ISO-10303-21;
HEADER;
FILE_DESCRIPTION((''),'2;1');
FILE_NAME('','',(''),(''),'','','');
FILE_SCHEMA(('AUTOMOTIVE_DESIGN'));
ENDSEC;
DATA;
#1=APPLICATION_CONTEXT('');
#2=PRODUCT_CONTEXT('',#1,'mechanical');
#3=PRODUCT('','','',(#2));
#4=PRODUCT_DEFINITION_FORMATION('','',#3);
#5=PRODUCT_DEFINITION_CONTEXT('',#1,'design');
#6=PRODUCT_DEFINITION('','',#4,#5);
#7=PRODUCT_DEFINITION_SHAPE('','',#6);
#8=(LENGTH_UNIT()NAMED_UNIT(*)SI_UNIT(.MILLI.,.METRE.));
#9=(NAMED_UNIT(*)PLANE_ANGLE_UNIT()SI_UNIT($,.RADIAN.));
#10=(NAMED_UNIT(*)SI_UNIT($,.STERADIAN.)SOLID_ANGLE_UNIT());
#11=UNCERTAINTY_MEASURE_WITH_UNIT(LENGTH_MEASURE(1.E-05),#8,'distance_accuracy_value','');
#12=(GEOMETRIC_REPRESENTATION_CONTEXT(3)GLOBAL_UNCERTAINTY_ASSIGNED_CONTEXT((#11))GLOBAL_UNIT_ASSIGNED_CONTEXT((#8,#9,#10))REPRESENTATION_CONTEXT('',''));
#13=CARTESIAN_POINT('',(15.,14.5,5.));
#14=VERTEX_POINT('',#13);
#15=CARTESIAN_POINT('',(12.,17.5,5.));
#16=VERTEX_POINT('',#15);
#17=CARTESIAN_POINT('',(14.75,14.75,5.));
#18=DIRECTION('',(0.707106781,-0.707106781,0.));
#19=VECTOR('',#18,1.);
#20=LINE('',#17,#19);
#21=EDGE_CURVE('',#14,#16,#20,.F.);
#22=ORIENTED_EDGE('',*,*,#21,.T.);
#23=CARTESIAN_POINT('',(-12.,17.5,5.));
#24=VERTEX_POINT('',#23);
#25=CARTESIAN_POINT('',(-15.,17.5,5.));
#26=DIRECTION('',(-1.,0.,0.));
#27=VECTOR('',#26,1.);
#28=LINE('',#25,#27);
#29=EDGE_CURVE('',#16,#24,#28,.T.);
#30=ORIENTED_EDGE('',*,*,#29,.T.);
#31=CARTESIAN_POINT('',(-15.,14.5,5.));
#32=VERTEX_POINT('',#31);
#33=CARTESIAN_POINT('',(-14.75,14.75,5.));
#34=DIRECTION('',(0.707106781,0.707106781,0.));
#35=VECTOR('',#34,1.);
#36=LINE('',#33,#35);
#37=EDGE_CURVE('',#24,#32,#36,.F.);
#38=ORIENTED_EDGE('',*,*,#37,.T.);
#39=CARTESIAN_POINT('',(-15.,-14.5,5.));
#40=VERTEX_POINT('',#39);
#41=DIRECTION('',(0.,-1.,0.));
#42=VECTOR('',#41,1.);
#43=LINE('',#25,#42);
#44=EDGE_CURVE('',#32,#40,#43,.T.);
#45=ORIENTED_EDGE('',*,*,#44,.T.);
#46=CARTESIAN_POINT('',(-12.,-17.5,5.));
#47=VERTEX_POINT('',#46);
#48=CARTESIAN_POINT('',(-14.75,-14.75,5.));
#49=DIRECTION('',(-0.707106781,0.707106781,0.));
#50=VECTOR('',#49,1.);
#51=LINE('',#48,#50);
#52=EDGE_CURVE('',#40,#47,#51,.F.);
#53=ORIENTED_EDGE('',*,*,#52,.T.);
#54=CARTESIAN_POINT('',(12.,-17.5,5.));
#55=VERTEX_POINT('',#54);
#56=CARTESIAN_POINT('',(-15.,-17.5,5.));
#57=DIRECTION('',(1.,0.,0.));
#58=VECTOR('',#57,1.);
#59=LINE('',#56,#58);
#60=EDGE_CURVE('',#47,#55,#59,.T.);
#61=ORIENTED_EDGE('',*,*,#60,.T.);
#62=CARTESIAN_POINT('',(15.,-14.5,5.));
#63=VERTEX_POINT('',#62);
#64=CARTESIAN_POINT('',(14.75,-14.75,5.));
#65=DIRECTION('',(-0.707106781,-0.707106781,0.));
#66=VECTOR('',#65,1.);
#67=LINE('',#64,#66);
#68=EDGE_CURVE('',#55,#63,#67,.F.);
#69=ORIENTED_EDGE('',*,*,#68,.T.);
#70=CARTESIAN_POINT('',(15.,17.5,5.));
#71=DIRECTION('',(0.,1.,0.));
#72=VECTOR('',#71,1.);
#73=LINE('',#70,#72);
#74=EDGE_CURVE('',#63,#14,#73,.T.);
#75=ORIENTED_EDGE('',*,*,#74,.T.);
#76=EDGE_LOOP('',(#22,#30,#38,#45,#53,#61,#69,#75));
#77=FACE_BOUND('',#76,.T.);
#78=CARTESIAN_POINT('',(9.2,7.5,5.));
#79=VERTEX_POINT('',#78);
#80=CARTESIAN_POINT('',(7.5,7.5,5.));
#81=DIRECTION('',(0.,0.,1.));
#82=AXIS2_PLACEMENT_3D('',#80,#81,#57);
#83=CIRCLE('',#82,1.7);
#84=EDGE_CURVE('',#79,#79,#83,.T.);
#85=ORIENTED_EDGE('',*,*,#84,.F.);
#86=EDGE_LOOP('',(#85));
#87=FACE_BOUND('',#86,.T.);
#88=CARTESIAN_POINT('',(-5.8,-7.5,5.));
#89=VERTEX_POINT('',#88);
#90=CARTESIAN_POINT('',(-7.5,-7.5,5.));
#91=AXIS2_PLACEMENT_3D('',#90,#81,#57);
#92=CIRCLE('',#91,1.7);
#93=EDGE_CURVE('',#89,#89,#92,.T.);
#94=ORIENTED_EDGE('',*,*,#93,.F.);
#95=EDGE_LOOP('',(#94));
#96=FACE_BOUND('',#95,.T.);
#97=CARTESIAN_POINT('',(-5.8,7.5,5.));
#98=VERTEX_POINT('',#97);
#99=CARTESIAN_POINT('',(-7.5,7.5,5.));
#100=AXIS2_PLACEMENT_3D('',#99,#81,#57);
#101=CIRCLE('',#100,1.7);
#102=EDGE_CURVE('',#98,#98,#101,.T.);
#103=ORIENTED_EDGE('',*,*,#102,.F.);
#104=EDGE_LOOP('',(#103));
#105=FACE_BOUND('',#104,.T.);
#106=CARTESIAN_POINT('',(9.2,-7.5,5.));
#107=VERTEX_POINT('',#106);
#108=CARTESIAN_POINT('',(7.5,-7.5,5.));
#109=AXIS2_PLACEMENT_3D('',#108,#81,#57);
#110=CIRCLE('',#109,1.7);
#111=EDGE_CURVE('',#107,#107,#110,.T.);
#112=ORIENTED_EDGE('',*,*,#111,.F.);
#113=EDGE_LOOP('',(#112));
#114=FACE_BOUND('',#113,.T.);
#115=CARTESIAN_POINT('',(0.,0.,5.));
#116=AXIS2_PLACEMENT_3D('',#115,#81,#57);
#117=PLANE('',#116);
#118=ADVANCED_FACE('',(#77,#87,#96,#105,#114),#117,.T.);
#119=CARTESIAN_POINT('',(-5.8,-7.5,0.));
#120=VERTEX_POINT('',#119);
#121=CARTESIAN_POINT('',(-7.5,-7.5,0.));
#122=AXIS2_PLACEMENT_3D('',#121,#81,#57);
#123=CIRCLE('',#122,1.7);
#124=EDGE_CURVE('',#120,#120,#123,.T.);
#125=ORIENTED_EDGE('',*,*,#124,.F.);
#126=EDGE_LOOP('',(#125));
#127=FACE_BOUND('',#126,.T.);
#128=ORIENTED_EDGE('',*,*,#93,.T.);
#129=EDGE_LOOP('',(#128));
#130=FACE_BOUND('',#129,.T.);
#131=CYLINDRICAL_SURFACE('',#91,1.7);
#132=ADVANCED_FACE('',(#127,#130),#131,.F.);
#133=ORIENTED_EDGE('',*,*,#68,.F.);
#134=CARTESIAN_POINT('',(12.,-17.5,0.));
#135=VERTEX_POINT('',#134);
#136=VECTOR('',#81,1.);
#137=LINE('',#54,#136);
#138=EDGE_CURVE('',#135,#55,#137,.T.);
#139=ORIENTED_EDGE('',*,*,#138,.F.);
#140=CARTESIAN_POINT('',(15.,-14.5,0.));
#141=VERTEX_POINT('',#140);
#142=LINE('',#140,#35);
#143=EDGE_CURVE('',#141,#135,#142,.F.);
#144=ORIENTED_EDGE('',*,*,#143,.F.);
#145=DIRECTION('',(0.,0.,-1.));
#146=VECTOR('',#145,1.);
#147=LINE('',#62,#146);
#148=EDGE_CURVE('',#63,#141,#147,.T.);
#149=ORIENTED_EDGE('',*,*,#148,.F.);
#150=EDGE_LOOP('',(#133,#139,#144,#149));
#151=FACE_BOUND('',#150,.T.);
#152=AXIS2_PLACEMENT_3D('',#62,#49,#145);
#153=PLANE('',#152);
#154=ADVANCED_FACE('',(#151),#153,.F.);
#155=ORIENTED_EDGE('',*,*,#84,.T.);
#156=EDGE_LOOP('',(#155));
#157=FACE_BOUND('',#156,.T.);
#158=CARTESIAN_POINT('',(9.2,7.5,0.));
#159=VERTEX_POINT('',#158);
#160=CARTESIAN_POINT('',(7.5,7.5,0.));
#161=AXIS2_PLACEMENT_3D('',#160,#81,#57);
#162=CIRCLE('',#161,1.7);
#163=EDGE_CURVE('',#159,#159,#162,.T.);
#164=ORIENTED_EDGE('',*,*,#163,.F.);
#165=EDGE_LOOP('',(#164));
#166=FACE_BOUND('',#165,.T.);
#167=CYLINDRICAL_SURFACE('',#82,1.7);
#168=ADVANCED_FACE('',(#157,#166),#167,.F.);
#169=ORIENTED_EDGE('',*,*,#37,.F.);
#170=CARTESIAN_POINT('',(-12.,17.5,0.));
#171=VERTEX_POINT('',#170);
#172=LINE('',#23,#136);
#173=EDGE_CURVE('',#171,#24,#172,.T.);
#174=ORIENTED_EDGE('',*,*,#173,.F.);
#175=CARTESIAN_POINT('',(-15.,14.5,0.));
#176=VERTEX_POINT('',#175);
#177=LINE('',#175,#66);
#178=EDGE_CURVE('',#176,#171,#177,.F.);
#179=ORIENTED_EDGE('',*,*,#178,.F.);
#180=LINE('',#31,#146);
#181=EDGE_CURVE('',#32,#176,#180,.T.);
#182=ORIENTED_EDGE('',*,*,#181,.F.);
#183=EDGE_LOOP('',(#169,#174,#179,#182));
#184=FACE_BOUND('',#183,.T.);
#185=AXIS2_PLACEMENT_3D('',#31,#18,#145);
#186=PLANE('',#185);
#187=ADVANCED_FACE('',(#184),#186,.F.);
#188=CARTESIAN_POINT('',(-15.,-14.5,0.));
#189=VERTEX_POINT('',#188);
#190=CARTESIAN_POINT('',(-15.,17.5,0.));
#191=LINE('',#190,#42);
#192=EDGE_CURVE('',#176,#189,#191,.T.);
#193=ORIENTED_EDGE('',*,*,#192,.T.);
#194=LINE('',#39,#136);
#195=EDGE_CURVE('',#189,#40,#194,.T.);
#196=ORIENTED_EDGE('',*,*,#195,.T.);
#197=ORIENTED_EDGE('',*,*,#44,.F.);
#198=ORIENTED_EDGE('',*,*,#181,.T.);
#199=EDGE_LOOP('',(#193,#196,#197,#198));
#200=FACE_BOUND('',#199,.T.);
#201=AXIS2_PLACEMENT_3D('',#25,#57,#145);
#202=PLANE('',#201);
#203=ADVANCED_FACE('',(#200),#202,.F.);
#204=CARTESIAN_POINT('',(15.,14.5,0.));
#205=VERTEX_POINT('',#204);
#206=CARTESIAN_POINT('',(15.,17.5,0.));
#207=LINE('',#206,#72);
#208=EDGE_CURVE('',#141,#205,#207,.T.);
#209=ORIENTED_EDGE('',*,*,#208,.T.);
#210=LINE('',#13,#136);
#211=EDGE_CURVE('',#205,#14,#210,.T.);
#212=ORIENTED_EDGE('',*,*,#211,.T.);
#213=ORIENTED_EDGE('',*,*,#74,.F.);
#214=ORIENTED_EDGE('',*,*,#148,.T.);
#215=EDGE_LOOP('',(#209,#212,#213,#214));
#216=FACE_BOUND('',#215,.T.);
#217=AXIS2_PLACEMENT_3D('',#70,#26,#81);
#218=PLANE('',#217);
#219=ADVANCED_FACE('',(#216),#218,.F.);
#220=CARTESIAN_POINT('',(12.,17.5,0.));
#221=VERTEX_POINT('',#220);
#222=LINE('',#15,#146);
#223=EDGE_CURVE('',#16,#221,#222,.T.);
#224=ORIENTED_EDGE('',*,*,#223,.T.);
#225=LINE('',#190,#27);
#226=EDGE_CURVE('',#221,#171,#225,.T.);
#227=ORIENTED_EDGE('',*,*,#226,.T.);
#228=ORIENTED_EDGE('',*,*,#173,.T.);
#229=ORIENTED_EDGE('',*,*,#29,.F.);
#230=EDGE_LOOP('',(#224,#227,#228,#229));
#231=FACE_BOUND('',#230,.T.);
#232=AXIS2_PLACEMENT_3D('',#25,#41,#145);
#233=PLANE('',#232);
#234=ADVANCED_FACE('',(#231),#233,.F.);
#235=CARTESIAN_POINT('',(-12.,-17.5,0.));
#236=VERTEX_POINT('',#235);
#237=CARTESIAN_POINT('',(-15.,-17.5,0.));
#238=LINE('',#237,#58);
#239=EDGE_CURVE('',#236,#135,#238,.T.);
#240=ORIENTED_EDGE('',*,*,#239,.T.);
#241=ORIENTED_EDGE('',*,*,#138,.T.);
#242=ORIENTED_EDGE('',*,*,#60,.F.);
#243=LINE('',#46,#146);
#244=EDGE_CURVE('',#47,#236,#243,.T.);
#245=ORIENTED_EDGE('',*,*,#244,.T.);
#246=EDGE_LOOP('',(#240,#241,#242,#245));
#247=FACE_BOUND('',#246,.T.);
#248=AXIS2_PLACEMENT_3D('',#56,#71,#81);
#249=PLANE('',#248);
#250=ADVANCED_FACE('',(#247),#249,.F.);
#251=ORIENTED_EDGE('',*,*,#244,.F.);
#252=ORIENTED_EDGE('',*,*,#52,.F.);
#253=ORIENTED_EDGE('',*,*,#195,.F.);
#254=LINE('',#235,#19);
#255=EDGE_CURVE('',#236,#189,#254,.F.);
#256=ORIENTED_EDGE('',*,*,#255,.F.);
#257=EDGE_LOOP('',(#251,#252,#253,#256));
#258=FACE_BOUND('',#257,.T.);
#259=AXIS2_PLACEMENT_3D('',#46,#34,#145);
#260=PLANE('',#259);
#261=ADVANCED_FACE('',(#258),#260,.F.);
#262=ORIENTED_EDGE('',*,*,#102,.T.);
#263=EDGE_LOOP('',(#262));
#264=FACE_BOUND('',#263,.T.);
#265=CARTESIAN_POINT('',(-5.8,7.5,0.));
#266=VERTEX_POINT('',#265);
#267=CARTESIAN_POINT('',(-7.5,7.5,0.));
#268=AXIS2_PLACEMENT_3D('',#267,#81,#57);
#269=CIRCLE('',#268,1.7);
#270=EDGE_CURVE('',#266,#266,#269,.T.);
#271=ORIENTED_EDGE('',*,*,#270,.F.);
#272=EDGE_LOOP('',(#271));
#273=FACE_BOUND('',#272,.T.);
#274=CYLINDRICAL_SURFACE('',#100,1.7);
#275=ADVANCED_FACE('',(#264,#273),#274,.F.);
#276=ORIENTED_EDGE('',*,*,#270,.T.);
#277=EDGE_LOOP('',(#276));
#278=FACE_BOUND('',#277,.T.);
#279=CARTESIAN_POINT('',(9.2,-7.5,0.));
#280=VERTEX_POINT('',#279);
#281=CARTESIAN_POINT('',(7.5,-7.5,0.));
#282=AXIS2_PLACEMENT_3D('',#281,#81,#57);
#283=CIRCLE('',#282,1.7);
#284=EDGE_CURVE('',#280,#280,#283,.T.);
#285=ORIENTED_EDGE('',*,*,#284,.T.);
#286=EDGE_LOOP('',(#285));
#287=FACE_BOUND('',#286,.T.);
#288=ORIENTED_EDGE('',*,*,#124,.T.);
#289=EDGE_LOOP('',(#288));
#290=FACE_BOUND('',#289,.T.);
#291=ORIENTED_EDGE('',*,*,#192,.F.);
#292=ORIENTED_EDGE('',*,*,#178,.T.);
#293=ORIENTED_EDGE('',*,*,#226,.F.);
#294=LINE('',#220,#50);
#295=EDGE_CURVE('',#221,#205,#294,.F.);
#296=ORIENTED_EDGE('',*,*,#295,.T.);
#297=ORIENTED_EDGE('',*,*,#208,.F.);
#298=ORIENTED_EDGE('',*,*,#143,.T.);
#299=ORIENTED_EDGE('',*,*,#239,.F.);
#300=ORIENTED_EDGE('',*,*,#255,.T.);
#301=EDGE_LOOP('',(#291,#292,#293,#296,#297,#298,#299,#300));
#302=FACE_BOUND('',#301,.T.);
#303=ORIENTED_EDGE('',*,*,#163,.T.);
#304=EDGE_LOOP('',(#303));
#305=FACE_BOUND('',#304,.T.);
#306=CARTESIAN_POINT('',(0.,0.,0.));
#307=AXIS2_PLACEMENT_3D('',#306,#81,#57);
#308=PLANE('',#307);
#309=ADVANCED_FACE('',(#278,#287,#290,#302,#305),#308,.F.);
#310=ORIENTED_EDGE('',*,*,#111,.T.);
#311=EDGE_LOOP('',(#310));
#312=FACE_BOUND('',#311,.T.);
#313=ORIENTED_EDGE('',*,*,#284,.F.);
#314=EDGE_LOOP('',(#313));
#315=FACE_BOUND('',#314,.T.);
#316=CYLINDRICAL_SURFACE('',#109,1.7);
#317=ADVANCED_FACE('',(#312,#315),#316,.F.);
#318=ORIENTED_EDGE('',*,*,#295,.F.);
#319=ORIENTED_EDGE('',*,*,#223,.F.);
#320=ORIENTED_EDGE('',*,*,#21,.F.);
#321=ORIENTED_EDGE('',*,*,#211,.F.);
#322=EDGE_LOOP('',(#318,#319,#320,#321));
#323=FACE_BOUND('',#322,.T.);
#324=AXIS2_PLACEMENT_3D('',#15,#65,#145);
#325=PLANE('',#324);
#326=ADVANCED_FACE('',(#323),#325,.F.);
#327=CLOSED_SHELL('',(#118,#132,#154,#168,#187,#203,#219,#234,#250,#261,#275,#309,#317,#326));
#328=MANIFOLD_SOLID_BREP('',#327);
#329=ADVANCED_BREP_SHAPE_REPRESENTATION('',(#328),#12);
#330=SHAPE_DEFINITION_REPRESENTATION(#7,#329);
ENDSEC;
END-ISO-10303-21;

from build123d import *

# Parameters (mm, degrees)
SKETCH1_W            = 30
SKETCH1_H            = 35
BOSS_EXTRUDE1_DEPTH  = 5
M3_CLEARANCE_HOLE1_D = 3.4
CHAMFER1_SIZE        = 3


with BuildPart() as part:
    # Sketch1 → Boss-Extrude1 (new body)
    with BuildSketch(Plane.XY):
        Rectangle(SKETCH1_W, SKETCH1_H)
    extrude(amount=BOSS_EXTRUDE1_DEPTH)

    # M3 Clearance Hole1 (through all)
    with Locations(Plane.XY.offset(5)):
        with Locations((7.5, -7.5), (-7.5, 7.5), (-7.5, -7.5), (7.5, 7.5)):
            Hole(M3_CLEARANCE_HOLE1_D / 2)

    # Chamfer1
    chamfer1_edges = [part.edges().sort_by_distance(p)[0] for p in [
        (15, -17.5, 2.5),
        (-15, -17.5, 2.5),
        (-15, 17.5, 2.5),
        (15, 17.5, 2.5),
    ]]
    chamfer(chamfer1_edges, length=CHAMFER1_SIZE)


solid = part.part
